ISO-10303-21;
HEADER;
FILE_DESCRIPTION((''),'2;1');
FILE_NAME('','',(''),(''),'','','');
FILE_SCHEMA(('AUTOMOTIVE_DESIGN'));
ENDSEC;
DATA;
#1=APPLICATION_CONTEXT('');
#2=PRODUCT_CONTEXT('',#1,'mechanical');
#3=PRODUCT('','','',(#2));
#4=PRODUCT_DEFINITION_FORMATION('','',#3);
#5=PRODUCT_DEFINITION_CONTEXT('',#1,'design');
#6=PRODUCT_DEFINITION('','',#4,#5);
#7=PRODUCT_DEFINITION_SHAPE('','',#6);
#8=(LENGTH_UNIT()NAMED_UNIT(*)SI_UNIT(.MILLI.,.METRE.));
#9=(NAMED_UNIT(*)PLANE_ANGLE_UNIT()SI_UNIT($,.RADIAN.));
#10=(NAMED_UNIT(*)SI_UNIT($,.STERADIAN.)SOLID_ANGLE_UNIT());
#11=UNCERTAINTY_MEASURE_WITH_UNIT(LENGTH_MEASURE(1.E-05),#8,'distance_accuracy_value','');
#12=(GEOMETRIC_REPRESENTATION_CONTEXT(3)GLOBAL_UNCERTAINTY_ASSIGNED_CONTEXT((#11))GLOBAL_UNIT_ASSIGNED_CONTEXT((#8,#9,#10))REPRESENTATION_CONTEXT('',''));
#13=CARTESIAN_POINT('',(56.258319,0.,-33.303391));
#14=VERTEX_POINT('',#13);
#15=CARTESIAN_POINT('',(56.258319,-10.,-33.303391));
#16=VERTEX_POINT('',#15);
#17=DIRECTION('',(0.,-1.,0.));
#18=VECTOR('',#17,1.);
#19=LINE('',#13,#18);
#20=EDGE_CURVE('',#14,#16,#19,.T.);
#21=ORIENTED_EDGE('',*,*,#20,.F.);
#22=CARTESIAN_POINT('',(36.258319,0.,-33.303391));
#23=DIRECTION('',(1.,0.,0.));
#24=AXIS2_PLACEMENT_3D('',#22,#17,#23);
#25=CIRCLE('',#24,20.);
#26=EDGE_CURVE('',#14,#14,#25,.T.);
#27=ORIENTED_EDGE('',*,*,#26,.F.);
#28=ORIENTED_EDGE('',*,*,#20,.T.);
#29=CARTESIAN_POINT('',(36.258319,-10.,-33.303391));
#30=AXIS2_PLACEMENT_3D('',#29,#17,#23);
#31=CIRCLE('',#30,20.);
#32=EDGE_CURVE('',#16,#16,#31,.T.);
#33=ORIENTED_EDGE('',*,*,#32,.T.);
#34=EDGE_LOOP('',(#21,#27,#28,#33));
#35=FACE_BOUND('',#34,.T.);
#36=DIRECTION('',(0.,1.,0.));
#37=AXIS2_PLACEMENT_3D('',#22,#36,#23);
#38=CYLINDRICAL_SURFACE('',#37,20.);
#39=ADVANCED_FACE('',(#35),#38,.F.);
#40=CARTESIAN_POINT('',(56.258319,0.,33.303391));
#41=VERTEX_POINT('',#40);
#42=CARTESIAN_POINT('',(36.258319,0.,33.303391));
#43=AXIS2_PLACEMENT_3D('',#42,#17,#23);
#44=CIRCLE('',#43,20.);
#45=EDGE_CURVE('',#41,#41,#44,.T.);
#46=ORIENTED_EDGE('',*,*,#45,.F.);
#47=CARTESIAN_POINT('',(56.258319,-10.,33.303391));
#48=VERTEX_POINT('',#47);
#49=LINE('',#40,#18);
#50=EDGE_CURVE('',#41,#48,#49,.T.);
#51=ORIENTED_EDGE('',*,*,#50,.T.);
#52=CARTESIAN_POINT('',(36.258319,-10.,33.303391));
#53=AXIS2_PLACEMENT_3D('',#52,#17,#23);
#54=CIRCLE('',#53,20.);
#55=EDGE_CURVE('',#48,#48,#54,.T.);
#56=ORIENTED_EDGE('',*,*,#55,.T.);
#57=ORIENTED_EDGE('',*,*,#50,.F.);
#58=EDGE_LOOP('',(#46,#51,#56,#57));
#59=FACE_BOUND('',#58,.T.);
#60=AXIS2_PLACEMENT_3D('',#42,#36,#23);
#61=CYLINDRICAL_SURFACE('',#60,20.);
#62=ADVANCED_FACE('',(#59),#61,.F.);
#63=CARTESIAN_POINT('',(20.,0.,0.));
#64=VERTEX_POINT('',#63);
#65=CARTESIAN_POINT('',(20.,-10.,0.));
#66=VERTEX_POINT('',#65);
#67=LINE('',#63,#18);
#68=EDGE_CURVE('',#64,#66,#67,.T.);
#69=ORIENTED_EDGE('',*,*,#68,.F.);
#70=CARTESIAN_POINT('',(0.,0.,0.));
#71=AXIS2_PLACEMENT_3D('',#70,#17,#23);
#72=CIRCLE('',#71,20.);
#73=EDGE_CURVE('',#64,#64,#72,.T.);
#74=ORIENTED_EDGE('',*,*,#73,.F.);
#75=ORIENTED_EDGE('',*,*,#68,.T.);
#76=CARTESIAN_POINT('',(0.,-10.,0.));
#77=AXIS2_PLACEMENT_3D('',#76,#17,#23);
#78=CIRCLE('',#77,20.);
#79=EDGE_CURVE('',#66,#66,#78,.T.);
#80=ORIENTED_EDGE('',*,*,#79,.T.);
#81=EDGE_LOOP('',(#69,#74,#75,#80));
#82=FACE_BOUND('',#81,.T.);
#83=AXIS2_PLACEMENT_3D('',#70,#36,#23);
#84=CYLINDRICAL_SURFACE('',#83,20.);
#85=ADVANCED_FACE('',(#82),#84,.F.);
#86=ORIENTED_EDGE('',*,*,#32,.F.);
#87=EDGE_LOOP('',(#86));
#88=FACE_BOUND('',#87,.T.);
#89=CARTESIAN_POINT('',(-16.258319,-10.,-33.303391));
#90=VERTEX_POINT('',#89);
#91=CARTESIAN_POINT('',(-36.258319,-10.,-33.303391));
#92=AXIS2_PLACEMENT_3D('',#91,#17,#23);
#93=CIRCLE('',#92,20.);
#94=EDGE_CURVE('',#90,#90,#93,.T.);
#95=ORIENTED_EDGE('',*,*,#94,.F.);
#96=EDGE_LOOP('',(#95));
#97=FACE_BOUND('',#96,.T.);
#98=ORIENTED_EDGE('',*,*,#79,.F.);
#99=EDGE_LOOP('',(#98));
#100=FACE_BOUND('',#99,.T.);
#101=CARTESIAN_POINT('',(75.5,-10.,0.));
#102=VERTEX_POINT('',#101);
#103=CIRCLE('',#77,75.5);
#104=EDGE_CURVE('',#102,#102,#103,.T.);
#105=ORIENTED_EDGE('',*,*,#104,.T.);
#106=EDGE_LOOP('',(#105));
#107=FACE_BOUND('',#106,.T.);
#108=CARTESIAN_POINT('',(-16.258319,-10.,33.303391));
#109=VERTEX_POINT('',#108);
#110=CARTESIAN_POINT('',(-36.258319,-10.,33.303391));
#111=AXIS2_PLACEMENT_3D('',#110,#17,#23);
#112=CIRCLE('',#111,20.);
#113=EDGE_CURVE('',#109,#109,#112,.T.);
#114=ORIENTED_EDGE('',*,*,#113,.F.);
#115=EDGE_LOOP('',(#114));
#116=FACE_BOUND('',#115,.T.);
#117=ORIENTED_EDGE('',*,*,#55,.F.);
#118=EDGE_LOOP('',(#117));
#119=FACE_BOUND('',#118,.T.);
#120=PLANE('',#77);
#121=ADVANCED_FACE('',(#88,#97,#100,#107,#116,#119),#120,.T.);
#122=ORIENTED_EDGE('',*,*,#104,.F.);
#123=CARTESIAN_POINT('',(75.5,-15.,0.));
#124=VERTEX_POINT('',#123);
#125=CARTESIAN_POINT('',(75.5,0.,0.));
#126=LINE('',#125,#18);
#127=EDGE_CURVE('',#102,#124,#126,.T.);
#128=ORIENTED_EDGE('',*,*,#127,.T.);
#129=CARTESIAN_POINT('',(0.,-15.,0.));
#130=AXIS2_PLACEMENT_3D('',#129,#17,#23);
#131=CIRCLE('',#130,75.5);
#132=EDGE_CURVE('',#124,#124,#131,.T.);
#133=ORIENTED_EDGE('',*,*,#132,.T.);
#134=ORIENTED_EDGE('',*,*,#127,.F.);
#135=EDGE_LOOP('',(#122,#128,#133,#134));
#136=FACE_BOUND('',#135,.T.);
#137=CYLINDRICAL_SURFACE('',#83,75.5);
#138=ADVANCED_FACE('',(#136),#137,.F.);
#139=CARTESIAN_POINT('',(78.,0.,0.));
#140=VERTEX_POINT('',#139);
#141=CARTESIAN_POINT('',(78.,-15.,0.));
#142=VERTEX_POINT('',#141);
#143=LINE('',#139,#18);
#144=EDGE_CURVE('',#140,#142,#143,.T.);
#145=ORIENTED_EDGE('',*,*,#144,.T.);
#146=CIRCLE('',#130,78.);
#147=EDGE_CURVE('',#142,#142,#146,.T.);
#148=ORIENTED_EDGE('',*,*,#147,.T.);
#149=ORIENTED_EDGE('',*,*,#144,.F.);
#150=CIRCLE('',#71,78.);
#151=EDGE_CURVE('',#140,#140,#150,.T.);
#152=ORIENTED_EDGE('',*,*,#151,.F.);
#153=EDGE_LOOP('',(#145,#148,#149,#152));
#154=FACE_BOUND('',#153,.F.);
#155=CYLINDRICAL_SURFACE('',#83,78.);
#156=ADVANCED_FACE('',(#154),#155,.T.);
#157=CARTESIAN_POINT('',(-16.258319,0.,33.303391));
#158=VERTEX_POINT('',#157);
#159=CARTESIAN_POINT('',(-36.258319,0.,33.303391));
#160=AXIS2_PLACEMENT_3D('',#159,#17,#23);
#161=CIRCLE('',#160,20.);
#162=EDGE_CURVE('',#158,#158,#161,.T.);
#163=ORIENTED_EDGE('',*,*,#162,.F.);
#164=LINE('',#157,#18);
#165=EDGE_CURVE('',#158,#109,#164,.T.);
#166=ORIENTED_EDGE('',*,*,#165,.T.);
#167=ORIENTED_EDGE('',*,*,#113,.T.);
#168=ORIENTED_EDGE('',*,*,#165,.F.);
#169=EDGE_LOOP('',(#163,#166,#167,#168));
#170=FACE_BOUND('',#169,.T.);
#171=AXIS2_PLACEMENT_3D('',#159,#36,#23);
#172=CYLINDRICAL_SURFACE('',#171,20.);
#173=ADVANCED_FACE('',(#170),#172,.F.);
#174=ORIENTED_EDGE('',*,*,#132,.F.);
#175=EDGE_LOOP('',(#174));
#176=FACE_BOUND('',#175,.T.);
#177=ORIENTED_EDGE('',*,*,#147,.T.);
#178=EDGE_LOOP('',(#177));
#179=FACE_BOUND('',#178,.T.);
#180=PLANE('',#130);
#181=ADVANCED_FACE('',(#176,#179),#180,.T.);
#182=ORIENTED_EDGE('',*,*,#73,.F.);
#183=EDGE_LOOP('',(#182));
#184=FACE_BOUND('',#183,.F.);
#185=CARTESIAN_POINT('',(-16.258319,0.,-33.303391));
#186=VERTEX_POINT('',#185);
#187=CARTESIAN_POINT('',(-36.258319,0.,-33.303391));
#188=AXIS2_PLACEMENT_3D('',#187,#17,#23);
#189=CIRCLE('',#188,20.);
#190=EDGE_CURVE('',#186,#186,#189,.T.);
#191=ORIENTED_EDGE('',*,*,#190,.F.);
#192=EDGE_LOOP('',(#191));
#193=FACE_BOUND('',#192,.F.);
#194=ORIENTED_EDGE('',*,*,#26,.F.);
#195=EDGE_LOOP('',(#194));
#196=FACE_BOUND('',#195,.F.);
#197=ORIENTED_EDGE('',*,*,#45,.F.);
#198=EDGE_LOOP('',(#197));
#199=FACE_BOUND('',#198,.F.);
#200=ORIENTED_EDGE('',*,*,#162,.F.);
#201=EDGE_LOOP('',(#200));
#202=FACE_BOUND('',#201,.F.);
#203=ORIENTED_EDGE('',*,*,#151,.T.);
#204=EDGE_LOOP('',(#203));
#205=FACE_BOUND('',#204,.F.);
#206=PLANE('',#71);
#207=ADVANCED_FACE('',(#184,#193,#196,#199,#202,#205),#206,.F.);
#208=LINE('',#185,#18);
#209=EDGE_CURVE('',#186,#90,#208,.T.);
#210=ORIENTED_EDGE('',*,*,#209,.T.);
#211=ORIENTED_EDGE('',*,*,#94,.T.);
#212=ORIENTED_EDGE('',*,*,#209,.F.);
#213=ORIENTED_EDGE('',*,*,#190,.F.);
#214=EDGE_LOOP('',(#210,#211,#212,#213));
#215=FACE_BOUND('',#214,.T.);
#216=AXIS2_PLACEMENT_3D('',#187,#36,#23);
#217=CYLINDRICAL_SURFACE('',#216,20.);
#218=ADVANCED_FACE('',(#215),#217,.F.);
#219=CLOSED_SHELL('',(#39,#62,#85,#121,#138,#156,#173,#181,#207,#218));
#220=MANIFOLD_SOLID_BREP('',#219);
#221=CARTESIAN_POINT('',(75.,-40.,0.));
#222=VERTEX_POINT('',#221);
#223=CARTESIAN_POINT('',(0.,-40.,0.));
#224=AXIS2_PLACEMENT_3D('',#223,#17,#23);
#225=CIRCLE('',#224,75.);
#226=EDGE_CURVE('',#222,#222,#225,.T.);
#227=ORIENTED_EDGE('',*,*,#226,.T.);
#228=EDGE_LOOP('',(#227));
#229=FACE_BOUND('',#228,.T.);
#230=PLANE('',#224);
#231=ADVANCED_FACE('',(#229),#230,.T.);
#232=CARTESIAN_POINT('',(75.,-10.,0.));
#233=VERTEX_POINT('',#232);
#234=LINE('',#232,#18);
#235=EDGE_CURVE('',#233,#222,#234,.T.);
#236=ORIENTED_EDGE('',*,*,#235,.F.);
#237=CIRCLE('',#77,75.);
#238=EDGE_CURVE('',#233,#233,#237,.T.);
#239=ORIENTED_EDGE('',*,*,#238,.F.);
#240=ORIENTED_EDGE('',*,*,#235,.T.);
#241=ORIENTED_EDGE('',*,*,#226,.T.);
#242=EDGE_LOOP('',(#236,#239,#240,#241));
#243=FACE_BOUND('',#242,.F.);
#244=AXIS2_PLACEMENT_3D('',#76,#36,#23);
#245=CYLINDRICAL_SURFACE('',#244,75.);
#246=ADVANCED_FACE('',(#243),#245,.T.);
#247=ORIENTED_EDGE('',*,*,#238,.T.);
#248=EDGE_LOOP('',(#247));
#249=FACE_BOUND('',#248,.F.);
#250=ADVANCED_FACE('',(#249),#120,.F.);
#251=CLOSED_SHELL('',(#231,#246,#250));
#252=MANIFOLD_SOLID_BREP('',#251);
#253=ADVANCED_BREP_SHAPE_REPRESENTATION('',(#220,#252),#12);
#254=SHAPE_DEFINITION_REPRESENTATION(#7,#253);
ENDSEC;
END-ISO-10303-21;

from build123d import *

# Parameters (mm, degrees)
F0_R     = 75.5
F0_R_2   = 20
F1_DEPTH = 10
F0_R_3   = 78
F2_DEPTH = 15
F3_R     = 75
F3_R_2   = 20
F4_DEPTH = 30


with BuildPart() as f1:
    # F0 (on Front) → F1 (new body)
    with BuildSketch(Plane.XZ):
        Circle(F0_R)
        with Locations((-36.2583191526, -33.3033913191)):
            Circle(F0_R_2, mode=Mode.SUBTRACT)
        with Locations((36.2583191526, -33.3033913191)):
            Circle(F0_R_2, mode=Mode.SUBTRACT)
        with Locations((-36.2583191526, 33.3033913191)):
            Circle(F0_R_2, mode=Mode.SUBTRACT)
        Circle(F0_R_2, mode=Mode.SUBTRACT)
        with Locations((36.2583191526, 33.3033913191)):
            Circle(F0_R_2, mode=Mode.SUBTRACT)
    extrude(amount=F1_DEPTH)

    # F0 (on Front) → F2 (join)
    with BuildSketch(Plane.XZ):
        Circle(F0_R_3)
        Circle(F0_R, mode=Mode.SUBTRACT)
    extrude(amount=F2_DEPTH)


with BuildPart() as f4:
    # F3 (on face) → F4 (new body)
    with BuildSketch(Plane.XZ.offset(10)):
        Circle(F3_R)
        with Locations((-36.2583191526, -33.3033913191)):
            Circle(F3_R_2, mode=Mode.SUBTRACT)
        with Locations((36.2583191526, -33.3033913191)):
            Circle(F3_R_2, mode=Mode.SUBTRACT)
        with Locations((-36.2583191526, 33.3033913191)):
            Circle(F3_R_2, mode=Mode.SUBTRACT)
        Circle(F3_R_2, mode=Mode.SUBTRACT)
        with Locations((36.2583191526, 33.3033913191)):
            Circle(F3_R_2, mode=Mode.SUBTRACT)
        with Locations((36.2583191526, 33.3033913191)):
            Circle(F3_R_2)
        with Locations((-36.2583191526, 33.3033913191)):
            Circle(F3_R_2)
        with Locations((-36.2583191526, -33.3033913191)):
            Circle(F3_R_2)
        with Locations((36.2583191526, -33.3033913191)):
            Circle(F3_R_2)
        Circle(F3_R_2)
    extrude(amount=F4_DEPTH)


solid = Compound([f1.part, f4.part])
